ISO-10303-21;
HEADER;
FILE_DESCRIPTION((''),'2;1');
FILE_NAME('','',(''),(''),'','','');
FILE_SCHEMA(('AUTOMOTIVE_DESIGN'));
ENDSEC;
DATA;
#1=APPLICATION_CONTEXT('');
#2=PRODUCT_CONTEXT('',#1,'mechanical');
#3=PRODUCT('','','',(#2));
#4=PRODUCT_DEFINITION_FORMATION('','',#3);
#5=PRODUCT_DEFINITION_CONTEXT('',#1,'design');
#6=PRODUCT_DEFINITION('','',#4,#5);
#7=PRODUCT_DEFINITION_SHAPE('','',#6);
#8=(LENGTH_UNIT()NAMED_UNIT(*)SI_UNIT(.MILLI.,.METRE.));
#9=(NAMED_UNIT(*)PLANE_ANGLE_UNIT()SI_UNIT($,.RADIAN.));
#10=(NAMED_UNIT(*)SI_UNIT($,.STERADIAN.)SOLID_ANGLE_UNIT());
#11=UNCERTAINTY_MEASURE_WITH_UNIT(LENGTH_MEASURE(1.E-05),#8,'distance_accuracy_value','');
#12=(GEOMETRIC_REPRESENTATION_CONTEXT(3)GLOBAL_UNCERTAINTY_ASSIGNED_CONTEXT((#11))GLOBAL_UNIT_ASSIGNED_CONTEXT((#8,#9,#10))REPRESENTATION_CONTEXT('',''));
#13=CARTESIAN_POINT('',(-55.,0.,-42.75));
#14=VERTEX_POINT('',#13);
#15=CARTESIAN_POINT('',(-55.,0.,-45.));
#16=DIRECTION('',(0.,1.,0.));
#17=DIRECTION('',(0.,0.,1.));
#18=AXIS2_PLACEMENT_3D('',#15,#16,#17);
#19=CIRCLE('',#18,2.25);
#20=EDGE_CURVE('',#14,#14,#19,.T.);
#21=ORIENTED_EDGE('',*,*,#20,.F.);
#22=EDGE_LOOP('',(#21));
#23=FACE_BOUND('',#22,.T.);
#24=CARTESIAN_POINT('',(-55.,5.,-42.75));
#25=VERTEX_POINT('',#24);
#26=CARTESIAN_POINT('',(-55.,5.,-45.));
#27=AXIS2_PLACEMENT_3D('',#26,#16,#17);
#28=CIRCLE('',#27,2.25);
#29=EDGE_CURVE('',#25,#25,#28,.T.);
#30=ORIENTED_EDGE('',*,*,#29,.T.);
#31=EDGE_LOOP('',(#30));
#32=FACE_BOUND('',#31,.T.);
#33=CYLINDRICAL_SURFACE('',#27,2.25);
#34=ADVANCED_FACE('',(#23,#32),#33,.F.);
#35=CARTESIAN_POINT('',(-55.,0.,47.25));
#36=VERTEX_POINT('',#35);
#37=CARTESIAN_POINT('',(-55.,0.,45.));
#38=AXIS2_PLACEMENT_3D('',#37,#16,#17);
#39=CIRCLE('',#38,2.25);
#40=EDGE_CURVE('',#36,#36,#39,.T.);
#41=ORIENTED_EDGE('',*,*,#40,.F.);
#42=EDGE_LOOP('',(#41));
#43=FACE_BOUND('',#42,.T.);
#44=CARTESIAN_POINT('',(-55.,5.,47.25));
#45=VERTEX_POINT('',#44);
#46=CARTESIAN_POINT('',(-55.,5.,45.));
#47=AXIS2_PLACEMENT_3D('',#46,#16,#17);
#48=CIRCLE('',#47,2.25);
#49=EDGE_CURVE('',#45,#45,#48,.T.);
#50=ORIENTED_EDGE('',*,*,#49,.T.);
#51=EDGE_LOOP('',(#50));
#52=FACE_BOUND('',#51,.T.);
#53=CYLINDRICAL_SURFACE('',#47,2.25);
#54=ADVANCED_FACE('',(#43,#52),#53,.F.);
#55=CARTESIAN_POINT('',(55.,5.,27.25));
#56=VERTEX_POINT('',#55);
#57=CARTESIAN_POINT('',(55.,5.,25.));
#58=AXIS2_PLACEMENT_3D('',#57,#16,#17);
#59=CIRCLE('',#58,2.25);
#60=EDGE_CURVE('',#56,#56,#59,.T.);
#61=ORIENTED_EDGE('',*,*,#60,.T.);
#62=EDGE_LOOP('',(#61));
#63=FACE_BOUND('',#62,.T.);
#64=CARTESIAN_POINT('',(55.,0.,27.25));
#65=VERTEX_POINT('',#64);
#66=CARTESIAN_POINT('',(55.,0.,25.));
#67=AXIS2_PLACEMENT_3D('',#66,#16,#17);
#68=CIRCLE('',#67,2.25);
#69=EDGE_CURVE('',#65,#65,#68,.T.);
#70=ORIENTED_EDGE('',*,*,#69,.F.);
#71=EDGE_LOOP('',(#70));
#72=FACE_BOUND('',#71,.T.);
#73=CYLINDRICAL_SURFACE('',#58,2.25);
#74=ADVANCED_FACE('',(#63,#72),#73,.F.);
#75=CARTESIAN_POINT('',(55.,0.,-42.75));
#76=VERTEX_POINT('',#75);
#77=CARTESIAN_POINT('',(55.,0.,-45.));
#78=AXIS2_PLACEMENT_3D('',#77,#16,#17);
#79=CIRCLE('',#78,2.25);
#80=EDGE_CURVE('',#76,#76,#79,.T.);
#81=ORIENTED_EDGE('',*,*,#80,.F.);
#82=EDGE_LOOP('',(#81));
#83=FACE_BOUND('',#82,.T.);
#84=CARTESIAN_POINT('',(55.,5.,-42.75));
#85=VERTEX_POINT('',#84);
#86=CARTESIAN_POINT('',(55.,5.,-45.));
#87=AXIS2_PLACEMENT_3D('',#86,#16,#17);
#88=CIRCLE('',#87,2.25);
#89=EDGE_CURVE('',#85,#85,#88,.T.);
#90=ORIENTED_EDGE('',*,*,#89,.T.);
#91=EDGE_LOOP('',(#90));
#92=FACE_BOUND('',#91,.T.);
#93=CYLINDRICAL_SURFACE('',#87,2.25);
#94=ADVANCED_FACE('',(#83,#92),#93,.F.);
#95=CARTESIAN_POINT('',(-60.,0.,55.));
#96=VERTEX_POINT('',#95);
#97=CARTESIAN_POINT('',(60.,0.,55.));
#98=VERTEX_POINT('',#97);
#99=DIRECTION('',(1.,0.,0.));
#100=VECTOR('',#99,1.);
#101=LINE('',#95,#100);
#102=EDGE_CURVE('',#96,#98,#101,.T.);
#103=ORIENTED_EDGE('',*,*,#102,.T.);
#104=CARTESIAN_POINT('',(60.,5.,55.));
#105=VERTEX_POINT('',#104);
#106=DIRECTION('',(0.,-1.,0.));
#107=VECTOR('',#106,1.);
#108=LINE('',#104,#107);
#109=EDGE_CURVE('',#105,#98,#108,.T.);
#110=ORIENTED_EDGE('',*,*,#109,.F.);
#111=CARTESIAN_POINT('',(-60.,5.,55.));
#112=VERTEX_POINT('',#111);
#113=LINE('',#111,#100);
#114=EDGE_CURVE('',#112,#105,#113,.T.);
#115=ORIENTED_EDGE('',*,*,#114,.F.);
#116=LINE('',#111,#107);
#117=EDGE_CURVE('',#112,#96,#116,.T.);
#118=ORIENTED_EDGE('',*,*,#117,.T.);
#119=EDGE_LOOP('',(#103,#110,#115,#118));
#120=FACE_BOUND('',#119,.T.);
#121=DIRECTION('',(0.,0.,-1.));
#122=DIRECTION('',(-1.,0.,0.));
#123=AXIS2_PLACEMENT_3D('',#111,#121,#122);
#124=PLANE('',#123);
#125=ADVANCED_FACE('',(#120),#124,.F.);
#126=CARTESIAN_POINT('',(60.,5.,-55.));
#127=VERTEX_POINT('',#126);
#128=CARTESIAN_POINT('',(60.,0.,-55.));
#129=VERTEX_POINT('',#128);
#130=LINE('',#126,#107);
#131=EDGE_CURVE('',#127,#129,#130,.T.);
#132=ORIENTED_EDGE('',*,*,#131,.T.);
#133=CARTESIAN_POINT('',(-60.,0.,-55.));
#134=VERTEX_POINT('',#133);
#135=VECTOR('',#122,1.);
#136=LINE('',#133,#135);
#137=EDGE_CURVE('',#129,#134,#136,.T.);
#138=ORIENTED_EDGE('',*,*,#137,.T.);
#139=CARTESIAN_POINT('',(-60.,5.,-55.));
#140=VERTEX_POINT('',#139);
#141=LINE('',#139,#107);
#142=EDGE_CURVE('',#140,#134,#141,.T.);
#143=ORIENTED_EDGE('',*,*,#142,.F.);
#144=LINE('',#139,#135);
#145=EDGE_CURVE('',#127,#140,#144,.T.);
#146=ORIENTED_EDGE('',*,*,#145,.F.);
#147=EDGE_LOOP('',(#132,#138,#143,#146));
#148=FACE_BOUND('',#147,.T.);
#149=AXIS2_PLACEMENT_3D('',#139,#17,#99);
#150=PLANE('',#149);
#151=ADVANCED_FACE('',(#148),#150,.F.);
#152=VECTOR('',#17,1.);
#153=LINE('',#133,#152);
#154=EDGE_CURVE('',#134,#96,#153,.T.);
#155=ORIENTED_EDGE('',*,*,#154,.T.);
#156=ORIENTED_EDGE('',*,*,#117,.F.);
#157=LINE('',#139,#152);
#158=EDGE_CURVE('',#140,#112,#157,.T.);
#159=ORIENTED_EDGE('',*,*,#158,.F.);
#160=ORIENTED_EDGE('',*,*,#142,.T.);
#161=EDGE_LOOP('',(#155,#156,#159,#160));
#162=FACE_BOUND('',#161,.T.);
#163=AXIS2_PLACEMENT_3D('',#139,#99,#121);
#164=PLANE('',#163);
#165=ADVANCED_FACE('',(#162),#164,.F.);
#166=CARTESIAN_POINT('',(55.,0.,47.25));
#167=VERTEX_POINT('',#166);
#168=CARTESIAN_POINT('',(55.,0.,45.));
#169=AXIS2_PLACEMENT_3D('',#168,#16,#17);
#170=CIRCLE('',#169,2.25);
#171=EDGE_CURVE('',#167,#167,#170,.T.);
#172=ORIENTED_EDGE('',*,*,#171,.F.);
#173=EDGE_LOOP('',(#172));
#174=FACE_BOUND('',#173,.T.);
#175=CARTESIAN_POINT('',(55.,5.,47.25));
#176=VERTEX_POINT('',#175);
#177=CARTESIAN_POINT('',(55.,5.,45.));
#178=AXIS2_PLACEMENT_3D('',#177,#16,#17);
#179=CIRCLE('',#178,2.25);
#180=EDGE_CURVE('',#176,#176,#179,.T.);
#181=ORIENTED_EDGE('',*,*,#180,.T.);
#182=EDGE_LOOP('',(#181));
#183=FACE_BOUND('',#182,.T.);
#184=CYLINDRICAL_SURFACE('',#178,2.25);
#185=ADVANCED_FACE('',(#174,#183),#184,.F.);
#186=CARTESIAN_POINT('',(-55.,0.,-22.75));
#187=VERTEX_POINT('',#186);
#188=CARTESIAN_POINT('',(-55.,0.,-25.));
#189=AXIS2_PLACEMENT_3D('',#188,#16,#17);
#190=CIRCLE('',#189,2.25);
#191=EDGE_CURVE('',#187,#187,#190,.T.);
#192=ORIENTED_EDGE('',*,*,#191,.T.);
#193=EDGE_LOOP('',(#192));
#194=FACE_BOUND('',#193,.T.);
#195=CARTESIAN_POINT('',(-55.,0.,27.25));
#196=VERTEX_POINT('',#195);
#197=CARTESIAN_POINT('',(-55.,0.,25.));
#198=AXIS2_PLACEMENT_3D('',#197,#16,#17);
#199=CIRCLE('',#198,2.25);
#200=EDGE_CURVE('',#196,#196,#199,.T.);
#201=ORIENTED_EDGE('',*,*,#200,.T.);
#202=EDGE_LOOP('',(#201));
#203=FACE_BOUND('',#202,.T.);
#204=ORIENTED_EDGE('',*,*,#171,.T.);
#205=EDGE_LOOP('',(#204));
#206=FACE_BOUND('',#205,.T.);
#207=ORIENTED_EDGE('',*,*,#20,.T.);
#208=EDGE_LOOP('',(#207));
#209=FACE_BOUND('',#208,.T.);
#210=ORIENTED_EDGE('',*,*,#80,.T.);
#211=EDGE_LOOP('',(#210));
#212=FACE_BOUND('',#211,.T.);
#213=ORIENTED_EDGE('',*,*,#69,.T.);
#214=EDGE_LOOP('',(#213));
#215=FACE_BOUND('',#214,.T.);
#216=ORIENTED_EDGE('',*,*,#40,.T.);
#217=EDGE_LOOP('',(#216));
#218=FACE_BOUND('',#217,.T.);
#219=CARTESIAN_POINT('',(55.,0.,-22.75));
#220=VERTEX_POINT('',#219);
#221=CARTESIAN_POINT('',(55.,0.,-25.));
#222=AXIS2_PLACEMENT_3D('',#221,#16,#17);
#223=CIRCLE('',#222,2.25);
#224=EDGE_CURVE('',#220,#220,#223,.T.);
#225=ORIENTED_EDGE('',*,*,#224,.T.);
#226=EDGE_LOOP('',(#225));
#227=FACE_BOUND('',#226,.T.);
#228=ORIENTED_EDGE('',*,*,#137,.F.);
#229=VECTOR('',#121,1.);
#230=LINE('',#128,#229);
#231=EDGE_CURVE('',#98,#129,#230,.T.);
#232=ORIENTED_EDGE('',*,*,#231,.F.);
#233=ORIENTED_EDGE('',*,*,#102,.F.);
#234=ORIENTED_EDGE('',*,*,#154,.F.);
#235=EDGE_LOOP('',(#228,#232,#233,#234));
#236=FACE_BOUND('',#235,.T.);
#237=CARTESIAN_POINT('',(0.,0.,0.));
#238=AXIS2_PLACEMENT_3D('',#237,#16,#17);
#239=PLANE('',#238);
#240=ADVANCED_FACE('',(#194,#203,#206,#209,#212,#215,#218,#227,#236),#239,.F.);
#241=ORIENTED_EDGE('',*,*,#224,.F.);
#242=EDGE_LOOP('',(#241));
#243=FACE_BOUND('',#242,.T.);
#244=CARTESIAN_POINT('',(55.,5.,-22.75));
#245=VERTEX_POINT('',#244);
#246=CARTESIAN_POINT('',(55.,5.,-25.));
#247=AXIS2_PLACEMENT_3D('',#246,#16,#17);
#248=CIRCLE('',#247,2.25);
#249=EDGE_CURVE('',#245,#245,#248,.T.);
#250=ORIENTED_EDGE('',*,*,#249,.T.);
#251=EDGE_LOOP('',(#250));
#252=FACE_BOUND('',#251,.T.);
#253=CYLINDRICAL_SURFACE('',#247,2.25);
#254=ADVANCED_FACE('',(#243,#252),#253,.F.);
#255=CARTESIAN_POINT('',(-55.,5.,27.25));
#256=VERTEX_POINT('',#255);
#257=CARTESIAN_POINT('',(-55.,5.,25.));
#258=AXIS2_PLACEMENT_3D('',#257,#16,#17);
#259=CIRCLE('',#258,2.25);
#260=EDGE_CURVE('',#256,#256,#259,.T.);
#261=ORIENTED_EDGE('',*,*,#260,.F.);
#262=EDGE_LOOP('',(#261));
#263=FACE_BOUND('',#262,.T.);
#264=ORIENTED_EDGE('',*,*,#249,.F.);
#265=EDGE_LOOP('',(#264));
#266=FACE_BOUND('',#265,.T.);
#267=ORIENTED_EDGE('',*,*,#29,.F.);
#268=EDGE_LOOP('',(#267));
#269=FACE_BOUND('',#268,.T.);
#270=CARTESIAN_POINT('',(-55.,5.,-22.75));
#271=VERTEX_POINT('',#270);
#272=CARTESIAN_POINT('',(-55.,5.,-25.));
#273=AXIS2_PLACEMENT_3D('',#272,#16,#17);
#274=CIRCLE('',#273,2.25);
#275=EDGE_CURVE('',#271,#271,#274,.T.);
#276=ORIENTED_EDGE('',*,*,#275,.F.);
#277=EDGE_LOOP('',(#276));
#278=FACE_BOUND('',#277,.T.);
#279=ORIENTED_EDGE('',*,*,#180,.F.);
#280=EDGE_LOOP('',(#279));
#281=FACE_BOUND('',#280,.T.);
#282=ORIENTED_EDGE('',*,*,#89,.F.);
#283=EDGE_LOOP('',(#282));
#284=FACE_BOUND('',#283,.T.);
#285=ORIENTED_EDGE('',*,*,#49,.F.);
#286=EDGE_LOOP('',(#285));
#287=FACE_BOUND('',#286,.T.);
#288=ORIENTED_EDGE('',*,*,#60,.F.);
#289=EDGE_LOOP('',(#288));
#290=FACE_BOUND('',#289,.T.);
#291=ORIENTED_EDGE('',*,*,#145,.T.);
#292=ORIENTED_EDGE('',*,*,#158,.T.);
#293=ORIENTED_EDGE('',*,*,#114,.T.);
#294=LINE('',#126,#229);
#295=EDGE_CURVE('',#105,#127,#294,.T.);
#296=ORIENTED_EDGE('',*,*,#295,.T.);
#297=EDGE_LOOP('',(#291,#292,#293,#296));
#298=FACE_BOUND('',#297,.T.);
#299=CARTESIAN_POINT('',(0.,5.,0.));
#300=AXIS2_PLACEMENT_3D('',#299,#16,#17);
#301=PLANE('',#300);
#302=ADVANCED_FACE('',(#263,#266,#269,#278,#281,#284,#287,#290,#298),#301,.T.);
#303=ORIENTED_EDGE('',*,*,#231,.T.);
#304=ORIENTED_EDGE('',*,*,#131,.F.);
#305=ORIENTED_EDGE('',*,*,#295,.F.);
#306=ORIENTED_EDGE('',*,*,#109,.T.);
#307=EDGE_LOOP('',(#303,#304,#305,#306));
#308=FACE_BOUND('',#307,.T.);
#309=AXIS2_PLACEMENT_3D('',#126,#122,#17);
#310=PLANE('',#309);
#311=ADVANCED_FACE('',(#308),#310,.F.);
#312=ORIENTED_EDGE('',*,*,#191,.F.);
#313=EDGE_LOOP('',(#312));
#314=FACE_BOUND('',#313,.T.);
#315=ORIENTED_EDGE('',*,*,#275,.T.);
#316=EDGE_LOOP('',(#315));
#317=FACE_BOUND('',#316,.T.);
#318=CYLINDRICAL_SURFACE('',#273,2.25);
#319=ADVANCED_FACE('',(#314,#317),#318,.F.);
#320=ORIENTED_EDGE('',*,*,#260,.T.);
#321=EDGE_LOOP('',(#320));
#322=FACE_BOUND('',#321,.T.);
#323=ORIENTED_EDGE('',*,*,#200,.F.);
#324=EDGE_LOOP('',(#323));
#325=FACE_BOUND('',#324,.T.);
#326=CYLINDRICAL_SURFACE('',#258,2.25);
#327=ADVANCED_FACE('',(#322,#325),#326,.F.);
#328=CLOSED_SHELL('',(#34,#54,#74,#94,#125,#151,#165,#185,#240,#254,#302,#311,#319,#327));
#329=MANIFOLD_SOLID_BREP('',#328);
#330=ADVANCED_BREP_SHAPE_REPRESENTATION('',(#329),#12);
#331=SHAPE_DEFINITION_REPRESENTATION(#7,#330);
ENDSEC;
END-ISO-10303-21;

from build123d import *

# Parameters (mm, degrees)
SKETCH1_W                  = 120
SKETCH1_H                  = 110
BOSS_EXTRUDE1_DEPTH        = 5
F_4_5_4_5_DIAMETER_HOLE1_D = 4.5


with BuildPart() as part:
    # Sketch1 → Boss-Extrude1 (new body)
    with BuildSketch(Plane(origin=(0, 0, 0), x_dir=(1, 0, 0), z_dir=(0, 1, 0))):
        Rectangle(SKETCH1_W, SKETCH1_H)
    extrude(amount=BOSS_EXTRUDE1_DEPTH)

    # Ø4.5 (4.5) Diameter Hole1 (through all)
    with Locations(Plane(origin=(0, 5, 0), x_dir=(1, 0, 0), z_dir=(0, 1, 0))):
        with Locations((-55, 45), (-55, 25), (-55, -25), (-55, -45), (55, -45), (55, -25), (55, 25), (55, 45)):
            Hole(F_4_5_4_5_DIAMETER_HOLE1_D / 2)


solid = part.part
